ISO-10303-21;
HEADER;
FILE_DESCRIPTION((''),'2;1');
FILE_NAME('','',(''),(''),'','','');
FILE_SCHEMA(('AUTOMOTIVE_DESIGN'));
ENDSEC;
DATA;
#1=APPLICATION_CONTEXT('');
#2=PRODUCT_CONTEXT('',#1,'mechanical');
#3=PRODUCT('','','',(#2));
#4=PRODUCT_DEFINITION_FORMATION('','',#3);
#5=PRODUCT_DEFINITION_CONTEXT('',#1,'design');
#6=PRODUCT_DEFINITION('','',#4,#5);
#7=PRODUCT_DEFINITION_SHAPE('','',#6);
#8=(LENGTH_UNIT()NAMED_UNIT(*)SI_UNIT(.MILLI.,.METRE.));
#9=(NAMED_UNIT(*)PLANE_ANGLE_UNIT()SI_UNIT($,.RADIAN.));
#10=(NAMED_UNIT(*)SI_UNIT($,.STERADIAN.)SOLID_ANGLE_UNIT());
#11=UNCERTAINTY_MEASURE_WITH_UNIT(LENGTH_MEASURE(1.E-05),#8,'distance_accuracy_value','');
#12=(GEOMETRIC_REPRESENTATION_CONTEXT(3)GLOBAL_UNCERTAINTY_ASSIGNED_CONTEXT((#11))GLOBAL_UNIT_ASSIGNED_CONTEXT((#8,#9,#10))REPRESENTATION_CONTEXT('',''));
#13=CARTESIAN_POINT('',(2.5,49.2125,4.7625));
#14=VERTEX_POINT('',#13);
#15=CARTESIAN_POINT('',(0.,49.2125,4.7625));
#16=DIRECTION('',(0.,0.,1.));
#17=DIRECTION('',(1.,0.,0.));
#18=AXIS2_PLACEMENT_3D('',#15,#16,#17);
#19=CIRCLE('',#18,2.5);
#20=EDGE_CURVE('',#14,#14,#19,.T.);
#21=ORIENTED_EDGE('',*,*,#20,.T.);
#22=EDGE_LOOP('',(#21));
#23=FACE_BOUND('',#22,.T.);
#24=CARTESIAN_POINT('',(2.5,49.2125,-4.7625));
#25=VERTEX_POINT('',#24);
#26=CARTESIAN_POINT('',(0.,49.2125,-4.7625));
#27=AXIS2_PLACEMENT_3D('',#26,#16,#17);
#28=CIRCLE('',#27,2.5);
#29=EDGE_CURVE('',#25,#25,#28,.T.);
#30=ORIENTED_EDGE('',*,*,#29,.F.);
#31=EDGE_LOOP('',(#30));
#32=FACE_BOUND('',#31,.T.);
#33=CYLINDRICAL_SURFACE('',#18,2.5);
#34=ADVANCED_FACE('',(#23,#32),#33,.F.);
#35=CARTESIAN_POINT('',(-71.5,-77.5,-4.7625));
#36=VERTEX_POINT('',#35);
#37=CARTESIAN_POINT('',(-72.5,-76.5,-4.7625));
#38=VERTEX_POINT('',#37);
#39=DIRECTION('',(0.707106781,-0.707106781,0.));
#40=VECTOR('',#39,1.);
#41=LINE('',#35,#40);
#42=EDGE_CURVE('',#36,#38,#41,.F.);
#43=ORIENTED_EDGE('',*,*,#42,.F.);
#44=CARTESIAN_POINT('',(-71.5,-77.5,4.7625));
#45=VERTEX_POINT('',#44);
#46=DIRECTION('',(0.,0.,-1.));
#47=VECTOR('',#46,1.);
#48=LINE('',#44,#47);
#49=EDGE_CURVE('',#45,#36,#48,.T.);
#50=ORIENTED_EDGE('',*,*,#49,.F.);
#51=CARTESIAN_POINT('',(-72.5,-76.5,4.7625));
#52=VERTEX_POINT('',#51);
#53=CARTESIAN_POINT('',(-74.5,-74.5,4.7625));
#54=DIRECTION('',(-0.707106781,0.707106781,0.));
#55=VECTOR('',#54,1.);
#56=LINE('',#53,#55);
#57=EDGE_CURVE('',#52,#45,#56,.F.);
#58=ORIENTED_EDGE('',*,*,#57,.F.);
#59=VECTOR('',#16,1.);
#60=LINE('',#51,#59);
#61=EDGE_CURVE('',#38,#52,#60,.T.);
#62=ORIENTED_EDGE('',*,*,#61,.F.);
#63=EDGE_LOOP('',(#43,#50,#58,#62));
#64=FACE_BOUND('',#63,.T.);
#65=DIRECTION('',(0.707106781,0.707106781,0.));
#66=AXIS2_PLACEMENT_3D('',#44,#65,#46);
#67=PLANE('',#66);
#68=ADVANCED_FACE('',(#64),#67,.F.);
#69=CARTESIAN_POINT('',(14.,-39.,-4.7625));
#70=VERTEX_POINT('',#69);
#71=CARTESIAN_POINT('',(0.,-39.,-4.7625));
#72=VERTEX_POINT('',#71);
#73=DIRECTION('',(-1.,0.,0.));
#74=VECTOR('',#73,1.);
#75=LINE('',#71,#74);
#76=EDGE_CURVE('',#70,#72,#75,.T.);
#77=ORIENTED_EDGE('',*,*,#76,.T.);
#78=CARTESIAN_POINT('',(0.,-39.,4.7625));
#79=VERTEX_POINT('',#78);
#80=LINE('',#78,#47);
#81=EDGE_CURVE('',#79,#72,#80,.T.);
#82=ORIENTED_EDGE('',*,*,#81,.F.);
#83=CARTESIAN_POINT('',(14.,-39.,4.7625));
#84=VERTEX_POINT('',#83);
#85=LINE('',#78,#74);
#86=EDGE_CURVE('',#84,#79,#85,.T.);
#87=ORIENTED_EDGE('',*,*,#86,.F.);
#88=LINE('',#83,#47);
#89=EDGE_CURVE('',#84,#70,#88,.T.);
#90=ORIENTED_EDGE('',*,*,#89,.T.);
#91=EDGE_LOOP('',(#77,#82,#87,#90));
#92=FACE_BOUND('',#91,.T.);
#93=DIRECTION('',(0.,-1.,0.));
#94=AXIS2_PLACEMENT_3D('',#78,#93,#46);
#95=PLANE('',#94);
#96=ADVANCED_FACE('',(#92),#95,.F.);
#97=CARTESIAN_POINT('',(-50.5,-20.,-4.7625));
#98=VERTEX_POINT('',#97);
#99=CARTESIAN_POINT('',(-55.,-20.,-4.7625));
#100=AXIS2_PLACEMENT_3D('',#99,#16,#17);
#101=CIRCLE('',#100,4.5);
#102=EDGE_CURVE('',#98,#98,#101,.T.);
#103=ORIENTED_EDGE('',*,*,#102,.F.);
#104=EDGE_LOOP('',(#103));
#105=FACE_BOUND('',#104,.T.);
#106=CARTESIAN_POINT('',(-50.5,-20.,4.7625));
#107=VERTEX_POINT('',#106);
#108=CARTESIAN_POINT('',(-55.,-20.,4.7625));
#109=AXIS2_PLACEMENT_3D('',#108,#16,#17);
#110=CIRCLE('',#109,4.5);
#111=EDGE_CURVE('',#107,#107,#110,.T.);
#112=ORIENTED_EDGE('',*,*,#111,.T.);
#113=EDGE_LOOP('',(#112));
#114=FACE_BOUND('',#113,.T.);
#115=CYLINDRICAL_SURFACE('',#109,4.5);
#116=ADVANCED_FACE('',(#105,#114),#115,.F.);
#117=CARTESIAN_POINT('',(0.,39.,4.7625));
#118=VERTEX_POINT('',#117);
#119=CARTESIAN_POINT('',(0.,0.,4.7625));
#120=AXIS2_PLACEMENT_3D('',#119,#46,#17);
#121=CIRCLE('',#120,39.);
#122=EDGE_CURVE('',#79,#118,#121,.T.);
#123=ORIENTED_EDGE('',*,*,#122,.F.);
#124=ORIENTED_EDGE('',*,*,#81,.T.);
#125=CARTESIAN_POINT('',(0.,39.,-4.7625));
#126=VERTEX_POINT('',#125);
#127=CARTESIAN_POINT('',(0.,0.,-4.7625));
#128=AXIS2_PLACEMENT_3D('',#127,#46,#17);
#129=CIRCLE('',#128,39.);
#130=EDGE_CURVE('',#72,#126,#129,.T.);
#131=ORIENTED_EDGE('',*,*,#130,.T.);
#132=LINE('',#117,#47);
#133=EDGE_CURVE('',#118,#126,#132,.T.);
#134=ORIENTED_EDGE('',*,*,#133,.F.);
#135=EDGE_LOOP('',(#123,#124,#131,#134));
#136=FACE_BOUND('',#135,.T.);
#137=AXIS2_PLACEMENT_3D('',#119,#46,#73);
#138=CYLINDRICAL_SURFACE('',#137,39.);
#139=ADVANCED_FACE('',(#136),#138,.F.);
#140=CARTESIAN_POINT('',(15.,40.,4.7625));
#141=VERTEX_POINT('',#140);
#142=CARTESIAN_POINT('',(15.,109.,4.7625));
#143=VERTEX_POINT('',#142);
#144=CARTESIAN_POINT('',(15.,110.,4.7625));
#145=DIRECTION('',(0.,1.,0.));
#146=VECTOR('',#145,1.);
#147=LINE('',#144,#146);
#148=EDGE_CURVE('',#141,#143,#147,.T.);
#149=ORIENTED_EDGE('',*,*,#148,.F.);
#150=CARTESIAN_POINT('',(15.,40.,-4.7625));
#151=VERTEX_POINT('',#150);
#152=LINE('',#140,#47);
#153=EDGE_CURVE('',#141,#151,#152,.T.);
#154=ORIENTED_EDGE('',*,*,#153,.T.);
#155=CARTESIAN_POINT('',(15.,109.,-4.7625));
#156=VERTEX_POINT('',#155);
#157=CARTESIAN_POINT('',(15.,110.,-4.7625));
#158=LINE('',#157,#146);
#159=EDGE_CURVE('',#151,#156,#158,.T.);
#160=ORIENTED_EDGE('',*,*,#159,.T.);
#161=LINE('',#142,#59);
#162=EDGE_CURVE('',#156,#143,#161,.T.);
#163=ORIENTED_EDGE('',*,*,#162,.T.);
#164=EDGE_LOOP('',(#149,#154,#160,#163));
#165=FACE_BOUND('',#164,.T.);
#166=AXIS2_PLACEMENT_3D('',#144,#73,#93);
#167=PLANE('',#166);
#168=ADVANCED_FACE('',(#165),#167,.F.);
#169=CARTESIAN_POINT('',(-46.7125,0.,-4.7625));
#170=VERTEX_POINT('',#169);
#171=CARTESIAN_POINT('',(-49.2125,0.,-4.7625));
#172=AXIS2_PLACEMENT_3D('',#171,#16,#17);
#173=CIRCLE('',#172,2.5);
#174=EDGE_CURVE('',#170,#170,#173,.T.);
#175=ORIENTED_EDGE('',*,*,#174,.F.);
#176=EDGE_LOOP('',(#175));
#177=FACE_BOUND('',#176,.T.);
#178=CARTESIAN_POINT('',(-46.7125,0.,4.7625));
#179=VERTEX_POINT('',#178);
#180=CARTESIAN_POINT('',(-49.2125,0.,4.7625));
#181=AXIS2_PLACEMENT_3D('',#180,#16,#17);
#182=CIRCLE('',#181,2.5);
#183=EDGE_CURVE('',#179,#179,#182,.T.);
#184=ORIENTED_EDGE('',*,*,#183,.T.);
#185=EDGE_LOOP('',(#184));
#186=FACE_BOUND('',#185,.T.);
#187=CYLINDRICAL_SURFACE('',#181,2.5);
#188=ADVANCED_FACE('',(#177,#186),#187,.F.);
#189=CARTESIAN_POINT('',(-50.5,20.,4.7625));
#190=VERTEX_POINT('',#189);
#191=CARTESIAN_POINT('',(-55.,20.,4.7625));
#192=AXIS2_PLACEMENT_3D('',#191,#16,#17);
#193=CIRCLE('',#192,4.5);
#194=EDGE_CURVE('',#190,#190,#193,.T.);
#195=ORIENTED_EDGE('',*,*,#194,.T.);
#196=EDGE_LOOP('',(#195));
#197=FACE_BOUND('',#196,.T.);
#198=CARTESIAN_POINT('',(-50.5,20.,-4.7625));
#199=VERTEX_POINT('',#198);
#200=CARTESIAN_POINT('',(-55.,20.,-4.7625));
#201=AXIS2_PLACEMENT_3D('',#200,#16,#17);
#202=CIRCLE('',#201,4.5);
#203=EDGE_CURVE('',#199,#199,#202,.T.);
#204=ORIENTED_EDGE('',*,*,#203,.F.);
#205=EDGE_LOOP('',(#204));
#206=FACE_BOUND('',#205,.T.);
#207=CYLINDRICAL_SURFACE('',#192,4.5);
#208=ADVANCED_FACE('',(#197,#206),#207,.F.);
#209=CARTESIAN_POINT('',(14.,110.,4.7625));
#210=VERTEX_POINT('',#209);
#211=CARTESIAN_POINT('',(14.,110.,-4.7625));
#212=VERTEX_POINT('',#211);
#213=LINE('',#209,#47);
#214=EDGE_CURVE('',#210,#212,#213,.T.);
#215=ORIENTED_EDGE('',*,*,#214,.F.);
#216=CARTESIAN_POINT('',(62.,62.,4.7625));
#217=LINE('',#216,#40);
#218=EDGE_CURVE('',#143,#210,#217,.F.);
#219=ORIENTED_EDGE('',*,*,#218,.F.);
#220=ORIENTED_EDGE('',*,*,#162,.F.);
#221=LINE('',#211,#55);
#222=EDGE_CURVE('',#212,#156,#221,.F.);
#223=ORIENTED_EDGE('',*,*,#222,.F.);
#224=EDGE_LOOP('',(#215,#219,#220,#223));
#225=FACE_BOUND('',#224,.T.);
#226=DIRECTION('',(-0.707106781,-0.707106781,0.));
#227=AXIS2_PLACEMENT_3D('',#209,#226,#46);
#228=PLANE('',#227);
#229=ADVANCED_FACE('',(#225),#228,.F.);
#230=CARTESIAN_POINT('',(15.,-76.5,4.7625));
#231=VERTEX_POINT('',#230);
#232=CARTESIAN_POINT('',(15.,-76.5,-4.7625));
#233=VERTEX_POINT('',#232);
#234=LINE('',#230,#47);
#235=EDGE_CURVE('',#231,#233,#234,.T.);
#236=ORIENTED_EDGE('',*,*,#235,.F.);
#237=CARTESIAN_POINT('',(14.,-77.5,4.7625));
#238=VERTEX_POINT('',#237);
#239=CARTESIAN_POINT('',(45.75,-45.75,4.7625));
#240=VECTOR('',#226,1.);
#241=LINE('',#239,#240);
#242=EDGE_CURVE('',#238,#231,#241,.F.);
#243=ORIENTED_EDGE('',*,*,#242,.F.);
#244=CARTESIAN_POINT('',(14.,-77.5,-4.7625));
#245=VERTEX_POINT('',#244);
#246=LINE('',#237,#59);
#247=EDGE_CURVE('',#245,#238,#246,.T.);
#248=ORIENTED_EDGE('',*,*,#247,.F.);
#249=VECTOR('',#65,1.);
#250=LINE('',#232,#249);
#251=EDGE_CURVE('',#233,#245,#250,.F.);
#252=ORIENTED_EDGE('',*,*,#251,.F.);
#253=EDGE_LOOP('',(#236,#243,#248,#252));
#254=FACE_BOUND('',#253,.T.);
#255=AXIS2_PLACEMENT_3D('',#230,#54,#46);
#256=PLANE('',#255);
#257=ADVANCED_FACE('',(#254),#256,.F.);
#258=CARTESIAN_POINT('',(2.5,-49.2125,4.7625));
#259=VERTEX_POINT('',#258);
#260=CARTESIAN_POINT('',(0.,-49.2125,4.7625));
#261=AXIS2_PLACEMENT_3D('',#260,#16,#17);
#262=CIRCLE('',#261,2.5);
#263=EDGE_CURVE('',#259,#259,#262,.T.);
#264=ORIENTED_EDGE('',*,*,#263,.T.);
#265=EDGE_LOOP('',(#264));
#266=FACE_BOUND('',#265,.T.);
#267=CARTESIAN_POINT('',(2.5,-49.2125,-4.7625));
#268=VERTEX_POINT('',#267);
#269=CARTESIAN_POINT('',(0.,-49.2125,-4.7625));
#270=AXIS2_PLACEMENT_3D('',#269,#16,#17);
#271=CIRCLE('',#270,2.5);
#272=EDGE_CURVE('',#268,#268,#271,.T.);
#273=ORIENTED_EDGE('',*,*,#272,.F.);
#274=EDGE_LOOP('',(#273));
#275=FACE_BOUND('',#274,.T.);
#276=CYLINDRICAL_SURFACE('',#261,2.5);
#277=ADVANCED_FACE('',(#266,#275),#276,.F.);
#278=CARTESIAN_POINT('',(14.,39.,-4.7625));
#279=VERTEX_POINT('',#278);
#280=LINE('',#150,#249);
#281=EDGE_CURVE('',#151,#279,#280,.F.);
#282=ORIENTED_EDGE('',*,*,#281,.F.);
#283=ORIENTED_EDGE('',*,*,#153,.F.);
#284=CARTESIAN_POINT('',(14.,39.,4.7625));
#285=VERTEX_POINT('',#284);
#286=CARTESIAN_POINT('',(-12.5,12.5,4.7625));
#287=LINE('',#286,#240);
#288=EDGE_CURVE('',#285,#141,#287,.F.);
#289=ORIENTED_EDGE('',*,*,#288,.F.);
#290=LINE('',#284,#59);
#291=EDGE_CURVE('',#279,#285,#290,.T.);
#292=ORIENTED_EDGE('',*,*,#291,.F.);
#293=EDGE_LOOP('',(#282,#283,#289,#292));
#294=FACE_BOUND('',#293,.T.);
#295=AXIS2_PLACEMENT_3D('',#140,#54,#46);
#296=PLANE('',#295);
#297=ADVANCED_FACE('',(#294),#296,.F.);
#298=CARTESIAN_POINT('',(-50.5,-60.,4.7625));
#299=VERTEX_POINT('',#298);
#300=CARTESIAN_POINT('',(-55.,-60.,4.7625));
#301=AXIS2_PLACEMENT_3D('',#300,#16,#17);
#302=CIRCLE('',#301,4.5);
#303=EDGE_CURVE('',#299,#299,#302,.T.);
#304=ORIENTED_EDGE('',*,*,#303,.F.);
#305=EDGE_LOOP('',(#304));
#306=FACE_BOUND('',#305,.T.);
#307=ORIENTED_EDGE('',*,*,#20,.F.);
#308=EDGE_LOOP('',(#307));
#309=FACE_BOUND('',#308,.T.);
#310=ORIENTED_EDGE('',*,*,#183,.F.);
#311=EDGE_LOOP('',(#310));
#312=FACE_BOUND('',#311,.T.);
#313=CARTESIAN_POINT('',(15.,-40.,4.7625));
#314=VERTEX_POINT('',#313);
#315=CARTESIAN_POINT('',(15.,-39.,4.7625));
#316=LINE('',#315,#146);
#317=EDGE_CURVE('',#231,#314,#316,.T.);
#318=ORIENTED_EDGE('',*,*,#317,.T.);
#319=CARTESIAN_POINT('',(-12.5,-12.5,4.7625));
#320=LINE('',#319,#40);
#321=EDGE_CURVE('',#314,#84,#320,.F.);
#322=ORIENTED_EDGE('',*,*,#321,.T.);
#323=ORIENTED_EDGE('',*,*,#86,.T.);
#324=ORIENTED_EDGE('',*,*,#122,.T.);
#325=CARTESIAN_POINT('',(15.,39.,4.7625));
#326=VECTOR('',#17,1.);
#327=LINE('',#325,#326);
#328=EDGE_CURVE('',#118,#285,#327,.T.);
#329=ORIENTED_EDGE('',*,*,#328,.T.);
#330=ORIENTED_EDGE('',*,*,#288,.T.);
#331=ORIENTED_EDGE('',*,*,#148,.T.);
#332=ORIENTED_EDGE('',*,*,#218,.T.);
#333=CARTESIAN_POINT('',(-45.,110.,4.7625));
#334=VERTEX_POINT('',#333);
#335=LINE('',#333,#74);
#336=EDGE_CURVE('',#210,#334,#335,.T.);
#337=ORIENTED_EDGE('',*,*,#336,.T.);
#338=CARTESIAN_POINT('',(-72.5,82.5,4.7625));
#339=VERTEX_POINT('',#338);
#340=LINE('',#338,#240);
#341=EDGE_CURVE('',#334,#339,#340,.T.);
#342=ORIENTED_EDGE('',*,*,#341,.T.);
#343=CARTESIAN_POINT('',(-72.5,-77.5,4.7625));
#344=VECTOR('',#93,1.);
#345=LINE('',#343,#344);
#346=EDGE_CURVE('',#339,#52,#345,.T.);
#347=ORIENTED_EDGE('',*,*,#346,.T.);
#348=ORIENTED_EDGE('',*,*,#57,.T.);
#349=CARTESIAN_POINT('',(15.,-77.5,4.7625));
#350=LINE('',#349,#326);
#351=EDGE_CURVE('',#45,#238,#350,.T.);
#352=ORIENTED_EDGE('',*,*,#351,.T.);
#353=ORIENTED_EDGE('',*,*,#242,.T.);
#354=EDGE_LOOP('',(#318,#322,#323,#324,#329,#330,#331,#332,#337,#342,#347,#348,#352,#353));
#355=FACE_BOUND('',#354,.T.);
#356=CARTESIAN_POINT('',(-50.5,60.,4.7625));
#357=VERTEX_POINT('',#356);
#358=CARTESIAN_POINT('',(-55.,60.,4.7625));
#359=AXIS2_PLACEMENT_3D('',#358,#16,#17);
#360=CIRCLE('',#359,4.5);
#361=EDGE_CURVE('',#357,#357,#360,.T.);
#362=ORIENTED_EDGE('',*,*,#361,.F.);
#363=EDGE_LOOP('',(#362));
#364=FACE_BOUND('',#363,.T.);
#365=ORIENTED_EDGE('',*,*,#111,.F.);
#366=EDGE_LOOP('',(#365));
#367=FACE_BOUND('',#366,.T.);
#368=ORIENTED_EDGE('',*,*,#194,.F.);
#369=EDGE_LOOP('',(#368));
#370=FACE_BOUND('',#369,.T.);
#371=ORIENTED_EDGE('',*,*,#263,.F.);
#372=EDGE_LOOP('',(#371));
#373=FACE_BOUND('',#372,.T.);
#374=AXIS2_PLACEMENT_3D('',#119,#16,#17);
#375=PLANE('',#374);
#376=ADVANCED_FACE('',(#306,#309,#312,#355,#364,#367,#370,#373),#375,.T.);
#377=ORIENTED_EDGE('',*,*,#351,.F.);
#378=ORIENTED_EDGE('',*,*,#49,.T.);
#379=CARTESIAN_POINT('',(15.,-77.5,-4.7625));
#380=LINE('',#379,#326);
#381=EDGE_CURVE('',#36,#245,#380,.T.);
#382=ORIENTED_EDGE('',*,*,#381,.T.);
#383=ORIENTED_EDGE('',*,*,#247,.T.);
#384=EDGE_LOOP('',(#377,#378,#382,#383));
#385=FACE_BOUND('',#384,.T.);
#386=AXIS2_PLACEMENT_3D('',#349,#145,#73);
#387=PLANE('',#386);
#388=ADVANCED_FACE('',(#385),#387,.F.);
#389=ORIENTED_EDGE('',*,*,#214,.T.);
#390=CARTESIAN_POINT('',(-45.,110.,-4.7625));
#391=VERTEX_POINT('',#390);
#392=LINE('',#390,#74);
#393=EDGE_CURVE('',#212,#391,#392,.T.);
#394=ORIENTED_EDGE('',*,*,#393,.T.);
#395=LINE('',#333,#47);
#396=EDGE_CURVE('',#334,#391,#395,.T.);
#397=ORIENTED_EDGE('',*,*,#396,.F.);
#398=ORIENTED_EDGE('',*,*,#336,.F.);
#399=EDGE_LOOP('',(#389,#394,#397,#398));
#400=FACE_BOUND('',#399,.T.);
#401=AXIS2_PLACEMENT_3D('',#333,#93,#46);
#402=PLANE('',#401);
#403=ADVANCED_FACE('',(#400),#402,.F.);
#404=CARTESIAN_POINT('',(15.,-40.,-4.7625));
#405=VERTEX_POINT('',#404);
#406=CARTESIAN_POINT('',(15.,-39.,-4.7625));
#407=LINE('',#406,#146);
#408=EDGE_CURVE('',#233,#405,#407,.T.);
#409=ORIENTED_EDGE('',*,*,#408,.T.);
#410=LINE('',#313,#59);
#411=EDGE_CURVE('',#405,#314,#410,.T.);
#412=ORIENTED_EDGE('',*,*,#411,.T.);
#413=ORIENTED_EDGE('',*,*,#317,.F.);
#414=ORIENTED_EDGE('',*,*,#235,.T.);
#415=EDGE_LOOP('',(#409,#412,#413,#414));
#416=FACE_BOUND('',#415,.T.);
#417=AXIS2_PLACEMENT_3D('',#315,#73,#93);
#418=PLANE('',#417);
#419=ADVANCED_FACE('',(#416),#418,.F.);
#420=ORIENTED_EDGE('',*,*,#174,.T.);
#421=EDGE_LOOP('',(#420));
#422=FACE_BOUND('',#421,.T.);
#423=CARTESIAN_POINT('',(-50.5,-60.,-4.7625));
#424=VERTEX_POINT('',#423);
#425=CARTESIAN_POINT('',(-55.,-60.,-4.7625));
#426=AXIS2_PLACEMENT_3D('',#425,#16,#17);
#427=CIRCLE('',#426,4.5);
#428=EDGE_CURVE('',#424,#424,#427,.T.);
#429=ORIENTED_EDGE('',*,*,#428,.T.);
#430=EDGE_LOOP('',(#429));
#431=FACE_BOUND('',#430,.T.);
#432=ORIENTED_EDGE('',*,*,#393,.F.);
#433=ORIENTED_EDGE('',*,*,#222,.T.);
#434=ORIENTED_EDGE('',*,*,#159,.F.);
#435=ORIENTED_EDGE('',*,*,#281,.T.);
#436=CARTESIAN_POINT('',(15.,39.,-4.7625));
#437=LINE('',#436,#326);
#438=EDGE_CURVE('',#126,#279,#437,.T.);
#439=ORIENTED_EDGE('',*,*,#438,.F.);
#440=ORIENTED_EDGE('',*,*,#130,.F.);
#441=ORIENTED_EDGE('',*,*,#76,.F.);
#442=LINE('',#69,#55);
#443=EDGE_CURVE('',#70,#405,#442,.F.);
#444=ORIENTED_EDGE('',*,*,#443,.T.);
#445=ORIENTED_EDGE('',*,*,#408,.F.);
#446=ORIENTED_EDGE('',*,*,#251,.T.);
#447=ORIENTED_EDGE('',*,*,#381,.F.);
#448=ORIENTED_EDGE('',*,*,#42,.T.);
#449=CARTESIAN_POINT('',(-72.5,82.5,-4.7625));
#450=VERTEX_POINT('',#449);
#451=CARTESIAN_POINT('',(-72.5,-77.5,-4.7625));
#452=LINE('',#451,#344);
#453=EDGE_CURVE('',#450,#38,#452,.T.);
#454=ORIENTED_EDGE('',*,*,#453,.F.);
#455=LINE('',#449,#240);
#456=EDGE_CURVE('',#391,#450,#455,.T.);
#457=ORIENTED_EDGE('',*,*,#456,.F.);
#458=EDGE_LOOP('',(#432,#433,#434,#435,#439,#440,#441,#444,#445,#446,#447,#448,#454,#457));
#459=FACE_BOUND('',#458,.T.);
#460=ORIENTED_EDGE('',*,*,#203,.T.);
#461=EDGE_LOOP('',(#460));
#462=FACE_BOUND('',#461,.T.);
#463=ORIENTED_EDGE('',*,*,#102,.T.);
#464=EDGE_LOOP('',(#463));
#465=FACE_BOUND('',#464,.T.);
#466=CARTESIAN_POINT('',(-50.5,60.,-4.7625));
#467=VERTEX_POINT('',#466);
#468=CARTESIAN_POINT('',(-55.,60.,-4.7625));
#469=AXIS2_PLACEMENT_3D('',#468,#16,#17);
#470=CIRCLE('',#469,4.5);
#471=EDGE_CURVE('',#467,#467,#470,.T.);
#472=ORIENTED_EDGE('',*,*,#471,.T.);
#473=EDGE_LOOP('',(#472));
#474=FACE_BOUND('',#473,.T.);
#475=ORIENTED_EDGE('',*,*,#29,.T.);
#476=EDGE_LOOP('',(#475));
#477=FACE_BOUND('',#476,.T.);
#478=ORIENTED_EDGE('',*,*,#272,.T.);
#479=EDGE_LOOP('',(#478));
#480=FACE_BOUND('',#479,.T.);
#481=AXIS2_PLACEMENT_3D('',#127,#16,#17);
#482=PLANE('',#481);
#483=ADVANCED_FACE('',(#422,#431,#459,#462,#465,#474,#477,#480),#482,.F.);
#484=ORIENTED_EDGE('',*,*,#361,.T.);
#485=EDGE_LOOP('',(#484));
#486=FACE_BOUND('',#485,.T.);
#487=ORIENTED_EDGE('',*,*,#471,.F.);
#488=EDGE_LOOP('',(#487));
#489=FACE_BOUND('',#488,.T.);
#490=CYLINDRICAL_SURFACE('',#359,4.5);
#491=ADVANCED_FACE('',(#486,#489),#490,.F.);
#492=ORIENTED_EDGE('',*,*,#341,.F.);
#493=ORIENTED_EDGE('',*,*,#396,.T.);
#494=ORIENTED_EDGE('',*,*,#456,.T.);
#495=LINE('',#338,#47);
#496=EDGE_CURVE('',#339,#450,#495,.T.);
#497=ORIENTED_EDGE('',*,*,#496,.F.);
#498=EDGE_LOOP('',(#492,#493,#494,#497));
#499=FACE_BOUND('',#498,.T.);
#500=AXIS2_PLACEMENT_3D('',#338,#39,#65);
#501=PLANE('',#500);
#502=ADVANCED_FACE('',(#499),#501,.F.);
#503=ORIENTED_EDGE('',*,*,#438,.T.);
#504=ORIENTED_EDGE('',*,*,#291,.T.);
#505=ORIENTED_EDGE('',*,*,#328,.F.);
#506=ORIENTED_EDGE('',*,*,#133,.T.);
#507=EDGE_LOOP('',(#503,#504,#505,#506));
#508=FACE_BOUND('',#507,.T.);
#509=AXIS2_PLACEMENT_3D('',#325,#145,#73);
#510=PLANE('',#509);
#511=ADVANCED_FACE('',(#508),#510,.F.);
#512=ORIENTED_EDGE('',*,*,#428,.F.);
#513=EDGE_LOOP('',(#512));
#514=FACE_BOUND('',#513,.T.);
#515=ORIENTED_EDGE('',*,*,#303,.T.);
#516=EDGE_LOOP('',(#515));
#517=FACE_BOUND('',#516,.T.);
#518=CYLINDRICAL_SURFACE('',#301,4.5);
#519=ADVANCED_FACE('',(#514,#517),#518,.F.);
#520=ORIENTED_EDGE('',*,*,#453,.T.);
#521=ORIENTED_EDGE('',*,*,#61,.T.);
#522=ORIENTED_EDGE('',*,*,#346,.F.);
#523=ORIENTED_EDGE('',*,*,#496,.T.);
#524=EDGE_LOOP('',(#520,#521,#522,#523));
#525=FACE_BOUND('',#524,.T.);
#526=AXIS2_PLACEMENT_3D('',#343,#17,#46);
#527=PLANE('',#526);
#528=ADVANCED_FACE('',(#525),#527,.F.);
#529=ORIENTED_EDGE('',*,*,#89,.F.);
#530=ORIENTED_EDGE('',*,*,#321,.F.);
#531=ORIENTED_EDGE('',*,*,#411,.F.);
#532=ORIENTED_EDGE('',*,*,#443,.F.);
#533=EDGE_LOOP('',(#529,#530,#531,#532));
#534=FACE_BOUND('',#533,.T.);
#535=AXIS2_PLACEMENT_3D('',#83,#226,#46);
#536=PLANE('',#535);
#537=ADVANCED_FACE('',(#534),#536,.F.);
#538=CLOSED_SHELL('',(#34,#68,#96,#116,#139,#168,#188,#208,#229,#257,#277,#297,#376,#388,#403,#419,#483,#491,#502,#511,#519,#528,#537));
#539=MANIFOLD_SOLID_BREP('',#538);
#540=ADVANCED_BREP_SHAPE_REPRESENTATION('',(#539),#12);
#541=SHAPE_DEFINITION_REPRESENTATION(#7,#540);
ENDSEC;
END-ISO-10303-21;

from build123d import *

# Parameters (mm, degrees)
BOSS_EXTRUDE1_DEPTH   = 4.7625
M8_CLEARANCE_HOLE1_D  = 9
M6X1_0_TAPPED_HOLE1_D = 5
CHAMFER1_SIZE         = 1


with BuildPart() as part:
    # Sketch1 → Boss-Extrude1 (new, symmetric)
    with BuildSketch(Plane.XY):
        with BuildLine():
            Line((0, -39), (15, -39))
            Line((15, -39), (15, -77.5))
            Line((15, -77.5), (-72.5, -77.5))
            Line((-72.5, -77.5), (-72.5, 82.5))
            Line((-72.5, 82.5), (-45, 110))
            Line((-45, 110), (15, 110))
            Line((15, 110), (15, 39))
            Line((15, 39), (0, 39))
            ThreePointArc((0, 39), (-39, 0), (0, -39))
        make_face()
    extrude(amount=BOSS_EXTRUDE1_DEPTH, both=True)

    # M8 Clearance Hole1 (through all)
    with Locations(Plane.XY.offset(4.7625)):
        with Locations((-55, 60), (-55, 20), (-55, -20), (-55, -60)):
            Hole(M8_CLEARANCE_HOLE1_D / 2)

    # M6x1.0 Tapped Hole1 (through all)
    with Locations(Plane.XY.offset(4.7625)):
        with Locations((0, 49.2125), (-49.2125, 0), (0, -49.2125)):
            Hole(M6X1_0_TAPPED_HOLE1_D / 2)

    # Chamfer1
    chamfer1_edges = [part.edges().sort_by_distance(p)[0] for p in [
        (15, -39, 0),
        (15, -77.5, 0),
        (-72.5, -77.5, 0),
        (15, 110, 0),
        (15, 39, 0),
    ]]
    chamfer(chamfer1_edges, length=CHAMFER1_SIZE)


solid = part.part
